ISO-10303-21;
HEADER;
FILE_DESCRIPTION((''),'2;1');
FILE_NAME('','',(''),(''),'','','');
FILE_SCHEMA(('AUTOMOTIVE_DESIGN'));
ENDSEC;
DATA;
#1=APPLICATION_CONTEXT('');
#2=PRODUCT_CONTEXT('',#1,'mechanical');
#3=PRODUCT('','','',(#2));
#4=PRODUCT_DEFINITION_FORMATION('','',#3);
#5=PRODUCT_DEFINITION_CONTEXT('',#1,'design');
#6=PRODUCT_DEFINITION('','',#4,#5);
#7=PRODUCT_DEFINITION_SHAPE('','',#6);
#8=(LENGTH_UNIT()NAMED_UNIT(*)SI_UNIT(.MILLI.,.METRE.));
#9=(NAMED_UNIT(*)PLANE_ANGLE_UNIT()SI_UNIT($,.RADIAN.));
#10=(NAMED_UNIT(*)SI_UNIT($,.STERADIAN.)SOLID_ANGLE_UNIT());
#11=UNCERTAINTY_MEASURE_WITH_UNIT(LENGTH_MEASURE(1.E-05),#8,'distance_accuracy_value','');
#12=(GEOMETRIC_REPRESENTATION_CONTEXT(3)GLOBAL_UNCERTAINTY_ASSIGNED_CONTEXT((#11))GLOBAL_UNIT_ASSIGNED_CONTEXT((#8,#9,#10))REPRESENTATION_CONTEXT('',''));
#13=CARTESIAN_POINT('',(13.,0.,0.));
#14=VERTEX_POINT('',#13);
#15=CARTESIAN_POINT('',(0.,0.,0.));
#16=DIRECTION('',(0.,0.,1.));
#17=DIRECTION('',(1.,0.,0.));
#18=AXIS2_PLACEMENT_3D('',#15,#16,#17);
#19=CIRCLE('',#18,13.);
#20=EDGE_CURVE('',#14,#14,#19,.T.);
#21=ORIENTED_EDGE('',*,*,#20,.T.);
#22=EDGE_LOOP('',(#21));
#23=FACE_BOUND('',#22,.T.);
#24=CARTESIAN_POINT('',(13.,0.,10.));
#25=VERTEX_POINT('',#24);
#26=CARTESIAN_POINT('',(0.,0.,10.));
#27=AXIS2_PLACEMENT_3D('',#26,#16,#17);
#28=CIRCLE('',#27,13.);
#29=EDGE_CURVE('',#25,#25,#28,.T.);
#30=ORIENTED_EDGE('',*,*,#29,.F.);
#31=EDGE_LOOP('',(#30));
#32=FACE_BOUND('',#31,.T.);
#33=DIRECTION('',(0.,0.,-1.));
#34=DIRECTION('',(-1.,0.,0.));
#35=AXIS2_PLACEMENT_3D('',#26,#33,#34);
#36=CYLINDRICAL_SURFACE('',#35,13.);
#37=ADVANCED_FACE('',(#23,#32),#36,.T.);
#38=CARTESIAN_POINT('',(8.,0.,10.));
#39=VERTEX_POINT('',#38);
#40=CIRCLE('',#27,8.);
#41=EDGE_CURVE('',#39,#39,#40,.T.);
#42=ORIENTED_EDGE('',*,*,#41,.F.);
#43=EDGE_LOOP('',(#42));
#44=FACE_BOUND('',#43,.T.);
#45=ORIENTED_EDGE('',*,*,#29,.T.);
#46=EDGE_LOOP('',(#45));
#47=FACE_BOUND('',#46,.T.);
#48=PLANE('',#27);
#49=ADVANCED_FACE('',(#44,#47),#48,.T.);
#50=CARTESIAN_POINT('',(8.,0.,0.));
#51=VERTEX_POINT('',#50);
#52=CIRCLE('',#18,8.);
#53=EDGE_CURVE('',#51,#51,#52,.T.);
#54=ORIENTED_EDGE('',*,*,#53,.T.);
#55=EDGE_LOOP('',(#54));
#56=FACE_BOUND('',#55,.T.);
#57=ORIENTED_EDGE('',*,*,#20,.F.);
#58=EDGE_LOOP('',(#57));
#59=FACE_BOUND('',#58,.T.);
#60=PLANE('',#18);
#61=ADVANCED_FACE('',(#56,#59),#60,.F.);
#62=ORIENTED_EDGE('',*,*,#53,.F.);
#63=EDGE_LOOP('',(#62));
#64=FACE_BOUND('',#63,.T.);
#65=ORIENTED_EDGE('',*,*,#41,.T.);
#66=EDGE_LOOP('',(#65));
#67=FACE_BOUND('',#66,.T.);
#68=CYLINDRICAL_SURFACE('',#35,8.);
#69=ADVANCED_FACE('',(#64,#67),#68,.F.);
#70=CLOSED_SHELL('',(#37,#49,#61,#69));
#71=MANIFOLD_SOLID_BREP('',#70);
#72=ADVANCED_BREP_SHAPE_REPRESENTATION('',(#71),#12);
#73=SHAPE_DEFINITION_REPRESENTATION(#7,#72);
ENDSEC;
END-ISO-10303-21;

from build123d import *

# Parameters (mm, degrees)
SKETCH_1_R      = 13
SKETCH_1_R_2    = 8
EXTRUDE_1_DEPTH = 10


with BuildPart() as part:
    # 스케치1 → 보스-돌출1 (new body)
    with BuildSketch(Plane.XY):
        Circle(SKETCH_1_R)
        Circle(SKETCH_1_R_2, mode=Mode.SUBTRACT)
    extrude(amount=EXTRUDE_1_DEPTH)


solid = part.part
